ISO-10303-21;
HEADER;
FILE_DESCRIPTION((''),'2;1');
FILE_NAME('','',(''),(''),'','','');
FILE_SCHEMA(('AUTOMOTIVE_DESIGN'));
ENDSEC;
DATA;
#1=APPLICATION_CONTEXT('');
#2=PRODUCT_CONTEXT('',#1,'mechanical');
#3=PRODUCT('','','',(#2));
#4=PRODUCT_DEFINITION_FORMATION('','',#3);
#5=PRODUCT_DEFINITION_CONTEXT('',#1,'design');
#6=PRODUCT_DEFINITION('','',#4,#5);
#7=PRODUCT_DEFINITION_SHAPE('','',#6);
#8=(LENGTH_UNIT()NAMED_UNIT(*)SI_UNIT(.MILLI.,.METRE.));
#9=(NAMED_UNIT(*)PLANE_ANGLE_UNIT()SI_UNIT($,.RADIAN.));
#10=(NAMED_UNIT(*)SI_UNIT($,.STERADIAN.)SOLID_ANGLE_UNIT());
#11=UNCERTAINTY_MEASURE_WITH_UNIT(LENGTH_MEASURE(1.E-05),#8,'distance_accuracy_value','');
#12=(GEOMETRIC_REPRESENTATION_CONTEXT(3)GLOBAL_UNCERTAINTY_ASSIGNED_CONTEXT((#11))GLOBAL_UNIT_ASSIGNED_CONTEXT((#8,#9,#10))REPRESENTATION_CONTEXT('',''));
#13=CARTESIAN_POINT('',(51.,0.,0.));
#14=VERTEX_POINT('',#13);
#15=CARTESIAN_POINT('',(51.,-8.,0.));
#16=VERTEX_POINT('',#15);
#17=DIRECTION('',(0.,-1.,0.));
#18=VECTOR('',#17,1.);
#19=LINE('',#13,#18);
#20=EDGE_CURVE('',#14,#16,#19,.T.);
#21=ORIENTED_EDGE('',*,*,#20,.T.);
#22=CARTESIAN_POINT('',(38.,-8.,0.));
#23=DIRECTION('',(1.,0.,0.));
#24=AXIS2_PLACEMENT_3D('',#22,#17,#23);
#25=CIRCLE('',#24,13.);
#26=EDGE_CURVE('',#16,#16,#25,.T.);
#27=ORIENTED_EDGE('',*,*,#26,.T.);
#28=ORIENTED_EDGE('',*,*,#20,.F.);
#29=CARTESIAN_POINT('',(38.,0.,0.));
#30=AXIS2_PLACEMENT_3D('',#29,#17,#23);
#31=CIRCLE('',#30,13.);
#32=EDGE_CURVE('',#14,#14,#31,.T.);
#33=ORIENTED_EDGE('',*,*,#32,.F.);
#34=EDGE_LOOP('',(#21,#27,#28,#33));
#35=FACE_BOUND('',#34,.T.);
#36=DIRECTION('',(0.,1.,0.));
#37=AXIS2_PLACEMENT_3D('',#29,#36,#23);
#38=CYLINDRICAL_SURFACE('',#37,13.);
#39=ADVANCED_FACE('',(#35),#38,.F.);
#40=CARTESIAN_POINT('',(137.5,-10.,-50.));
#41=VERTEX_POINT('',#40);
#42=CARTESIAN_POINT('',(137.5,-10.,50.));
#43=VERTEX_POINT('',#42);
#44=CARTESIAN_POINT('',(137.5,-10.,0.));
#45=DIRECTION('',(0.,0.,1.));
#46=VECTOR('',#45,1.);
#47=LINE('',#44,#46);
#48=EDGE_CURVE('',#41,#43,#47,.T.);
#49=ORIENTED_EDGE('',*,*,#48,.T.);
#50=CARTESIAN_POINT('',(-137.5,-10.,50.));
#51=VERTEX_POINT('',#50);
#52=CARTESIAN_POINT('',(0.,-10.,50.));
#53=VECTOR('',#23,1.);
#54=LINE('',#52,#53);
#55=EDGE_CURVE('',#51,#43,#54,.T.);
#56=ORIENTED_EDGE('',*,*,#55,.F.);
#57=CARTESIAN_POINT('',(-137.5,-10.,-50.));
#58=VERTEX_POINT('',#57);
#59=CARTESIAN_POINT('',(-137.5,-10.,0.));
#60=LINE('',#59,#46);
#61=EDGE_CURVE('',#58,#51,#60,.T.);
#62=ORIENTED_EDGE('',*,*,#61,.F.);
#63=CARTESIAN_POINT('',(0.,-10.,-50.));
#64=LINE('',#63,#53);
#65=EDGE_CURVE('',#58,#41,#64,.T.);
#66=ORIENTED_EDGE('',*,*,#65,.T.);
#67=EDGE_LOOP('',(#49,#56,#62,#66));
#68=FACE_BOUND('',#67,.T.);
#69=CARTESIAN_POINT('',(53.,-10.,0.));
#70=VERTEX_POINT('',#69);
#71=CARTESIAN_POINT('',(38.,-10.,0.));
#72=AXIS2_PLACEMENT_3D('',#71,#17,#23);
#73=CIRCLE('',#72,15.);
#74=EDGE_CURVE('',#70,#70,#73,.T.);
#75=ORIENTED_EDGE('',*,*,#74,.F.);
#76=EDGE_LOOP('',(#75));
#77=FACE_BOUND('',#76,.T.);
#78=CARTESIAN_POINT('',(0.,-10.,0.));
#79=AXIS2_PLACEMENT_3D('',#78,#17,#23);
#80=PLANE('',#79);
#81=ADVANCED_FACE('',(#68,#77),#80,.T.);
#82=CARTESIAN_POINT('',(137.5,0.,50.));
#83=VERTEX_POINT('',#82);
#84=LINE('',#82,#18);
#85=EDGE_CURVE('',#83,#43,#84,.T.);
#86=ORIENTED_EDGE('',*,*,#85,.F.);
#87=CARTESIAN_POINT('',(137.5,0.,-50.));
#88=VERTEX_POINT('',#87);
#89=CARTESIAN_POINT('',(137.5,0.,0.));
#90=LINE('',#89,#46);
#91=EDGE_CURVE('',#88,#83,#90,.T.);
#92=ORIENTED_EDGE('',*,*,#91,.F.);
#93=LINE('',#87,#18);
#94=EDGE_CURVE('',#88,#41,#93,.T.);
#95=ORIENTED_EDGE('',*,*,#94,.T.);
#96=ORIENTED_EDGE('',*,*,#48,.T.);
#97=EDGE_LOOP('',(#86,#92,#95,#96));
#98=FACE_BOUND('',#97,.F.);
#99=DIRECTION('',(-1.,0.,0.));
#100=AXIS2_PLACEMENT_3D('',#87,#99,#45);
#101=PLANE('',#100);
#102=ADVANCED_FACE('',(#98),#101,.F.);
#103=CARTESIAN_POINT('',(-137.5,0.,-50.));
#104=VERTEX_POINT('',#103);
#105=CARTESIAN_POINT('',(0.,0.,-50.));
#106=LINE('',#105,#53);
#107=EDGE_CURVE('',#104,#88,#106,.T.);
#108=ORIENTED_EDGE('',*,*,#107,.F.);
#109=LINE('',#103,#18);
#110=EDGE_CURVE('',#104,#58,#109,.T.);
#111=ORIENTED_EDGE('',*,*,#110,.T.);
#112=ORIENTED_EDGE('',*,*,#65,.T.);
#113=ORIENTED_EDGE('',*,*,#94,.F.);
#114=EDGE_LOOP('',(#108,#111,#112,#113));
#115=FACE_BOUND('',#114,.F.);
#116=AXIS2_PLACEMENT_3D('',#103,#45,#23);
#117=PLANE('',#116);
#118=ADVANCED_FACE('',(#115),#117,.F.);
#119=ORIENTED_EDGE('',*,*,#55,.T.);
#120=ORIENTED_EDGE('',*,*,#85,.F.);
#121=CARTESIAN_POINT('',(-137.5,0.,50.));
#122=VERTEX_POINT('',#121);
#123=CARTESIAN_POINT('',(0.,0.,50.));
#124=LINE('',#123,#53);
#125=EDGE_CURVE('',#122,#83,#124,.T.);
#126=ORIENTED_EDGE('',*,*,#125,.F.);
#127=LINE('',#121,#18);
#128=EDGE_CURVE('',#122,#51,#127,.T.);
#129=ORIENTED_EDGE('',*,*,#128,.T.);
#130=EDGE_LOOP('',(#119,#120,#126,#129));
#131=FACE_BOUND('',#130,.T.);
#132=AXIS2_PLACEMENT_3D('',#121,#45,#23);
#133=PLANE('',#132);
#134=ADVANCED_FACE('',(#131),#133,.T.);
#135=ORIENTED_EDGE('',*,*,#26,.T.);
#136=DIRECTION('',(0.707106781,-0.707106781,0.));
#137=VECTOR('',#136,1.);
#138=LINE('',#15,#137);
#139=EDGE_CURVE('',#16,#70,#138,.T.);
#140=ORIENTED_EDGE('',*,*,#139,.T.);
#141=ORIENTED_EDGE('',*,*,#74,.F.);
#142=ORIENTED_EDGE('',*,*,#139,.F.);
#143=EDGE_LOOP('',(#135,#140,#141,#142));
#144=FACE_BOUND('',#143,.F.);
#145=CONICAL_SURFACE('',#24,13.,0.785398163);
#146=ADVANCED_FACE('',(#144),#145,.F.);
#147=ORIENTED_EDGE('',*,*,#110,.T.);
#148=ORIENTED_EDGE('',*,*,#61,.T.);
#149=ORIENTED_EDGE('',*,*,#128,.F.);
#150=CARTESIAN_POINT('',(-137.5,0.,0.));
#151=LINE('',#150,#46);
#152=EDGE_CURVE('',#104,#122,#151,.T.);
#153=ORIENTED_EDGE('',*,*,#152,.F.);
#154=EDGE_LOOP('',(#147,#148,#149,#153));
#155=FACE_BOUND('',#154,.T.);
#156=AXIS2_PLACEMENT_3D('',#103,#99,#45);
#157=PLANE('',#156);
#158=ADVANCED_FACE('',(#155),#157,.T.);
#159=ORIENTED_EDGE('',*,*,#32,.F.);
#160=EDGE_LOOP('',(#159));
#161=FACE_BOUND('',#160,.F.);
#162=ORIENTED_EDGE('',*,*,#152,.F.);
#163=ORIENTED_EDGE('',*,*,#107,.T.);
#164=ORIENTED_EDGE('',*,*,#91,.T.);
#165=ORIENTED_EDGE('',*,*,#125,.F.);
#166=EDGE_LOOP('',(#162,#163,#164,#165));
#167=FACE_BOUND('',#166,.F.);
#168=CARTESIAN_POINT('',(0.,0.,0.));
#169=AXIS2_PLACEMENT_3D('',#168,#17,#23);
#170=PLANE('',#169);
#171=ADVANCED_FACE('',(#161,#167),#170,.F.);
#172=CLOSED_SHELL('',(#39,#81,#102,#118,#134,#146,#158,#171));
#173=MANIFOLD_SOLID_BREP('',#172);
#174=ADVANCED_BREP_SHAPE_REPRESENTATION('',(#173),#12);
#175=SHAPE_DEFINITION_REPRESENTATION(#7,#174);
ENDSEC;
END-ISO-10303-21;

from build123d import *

# Parameters (mm, degrees)
F0_W     = 275
F0_H     = 100
F0_R     = 13
F1_DEPTH = 10
F2_SIZE  = 2


with BuildPart() as f1:
    # F0 (on Front) → F1 (new body)
    with BuildSketch(Plane.XZ):
        Rectangle(F0_W, F0_H)
        with Locations((38, 0)):
            Circle(F0_R, mode=Mode.SUBTRACT)
    extrude(amount=F1_DEPTH)

    # F2
    f2_edges = [f1.edges().sort_by_distance(p)[0] for p in [
        (25, -10, 0),
    ]]
    chamfer(f2_edges, length=F2_SIZE)


solid = f1.part
